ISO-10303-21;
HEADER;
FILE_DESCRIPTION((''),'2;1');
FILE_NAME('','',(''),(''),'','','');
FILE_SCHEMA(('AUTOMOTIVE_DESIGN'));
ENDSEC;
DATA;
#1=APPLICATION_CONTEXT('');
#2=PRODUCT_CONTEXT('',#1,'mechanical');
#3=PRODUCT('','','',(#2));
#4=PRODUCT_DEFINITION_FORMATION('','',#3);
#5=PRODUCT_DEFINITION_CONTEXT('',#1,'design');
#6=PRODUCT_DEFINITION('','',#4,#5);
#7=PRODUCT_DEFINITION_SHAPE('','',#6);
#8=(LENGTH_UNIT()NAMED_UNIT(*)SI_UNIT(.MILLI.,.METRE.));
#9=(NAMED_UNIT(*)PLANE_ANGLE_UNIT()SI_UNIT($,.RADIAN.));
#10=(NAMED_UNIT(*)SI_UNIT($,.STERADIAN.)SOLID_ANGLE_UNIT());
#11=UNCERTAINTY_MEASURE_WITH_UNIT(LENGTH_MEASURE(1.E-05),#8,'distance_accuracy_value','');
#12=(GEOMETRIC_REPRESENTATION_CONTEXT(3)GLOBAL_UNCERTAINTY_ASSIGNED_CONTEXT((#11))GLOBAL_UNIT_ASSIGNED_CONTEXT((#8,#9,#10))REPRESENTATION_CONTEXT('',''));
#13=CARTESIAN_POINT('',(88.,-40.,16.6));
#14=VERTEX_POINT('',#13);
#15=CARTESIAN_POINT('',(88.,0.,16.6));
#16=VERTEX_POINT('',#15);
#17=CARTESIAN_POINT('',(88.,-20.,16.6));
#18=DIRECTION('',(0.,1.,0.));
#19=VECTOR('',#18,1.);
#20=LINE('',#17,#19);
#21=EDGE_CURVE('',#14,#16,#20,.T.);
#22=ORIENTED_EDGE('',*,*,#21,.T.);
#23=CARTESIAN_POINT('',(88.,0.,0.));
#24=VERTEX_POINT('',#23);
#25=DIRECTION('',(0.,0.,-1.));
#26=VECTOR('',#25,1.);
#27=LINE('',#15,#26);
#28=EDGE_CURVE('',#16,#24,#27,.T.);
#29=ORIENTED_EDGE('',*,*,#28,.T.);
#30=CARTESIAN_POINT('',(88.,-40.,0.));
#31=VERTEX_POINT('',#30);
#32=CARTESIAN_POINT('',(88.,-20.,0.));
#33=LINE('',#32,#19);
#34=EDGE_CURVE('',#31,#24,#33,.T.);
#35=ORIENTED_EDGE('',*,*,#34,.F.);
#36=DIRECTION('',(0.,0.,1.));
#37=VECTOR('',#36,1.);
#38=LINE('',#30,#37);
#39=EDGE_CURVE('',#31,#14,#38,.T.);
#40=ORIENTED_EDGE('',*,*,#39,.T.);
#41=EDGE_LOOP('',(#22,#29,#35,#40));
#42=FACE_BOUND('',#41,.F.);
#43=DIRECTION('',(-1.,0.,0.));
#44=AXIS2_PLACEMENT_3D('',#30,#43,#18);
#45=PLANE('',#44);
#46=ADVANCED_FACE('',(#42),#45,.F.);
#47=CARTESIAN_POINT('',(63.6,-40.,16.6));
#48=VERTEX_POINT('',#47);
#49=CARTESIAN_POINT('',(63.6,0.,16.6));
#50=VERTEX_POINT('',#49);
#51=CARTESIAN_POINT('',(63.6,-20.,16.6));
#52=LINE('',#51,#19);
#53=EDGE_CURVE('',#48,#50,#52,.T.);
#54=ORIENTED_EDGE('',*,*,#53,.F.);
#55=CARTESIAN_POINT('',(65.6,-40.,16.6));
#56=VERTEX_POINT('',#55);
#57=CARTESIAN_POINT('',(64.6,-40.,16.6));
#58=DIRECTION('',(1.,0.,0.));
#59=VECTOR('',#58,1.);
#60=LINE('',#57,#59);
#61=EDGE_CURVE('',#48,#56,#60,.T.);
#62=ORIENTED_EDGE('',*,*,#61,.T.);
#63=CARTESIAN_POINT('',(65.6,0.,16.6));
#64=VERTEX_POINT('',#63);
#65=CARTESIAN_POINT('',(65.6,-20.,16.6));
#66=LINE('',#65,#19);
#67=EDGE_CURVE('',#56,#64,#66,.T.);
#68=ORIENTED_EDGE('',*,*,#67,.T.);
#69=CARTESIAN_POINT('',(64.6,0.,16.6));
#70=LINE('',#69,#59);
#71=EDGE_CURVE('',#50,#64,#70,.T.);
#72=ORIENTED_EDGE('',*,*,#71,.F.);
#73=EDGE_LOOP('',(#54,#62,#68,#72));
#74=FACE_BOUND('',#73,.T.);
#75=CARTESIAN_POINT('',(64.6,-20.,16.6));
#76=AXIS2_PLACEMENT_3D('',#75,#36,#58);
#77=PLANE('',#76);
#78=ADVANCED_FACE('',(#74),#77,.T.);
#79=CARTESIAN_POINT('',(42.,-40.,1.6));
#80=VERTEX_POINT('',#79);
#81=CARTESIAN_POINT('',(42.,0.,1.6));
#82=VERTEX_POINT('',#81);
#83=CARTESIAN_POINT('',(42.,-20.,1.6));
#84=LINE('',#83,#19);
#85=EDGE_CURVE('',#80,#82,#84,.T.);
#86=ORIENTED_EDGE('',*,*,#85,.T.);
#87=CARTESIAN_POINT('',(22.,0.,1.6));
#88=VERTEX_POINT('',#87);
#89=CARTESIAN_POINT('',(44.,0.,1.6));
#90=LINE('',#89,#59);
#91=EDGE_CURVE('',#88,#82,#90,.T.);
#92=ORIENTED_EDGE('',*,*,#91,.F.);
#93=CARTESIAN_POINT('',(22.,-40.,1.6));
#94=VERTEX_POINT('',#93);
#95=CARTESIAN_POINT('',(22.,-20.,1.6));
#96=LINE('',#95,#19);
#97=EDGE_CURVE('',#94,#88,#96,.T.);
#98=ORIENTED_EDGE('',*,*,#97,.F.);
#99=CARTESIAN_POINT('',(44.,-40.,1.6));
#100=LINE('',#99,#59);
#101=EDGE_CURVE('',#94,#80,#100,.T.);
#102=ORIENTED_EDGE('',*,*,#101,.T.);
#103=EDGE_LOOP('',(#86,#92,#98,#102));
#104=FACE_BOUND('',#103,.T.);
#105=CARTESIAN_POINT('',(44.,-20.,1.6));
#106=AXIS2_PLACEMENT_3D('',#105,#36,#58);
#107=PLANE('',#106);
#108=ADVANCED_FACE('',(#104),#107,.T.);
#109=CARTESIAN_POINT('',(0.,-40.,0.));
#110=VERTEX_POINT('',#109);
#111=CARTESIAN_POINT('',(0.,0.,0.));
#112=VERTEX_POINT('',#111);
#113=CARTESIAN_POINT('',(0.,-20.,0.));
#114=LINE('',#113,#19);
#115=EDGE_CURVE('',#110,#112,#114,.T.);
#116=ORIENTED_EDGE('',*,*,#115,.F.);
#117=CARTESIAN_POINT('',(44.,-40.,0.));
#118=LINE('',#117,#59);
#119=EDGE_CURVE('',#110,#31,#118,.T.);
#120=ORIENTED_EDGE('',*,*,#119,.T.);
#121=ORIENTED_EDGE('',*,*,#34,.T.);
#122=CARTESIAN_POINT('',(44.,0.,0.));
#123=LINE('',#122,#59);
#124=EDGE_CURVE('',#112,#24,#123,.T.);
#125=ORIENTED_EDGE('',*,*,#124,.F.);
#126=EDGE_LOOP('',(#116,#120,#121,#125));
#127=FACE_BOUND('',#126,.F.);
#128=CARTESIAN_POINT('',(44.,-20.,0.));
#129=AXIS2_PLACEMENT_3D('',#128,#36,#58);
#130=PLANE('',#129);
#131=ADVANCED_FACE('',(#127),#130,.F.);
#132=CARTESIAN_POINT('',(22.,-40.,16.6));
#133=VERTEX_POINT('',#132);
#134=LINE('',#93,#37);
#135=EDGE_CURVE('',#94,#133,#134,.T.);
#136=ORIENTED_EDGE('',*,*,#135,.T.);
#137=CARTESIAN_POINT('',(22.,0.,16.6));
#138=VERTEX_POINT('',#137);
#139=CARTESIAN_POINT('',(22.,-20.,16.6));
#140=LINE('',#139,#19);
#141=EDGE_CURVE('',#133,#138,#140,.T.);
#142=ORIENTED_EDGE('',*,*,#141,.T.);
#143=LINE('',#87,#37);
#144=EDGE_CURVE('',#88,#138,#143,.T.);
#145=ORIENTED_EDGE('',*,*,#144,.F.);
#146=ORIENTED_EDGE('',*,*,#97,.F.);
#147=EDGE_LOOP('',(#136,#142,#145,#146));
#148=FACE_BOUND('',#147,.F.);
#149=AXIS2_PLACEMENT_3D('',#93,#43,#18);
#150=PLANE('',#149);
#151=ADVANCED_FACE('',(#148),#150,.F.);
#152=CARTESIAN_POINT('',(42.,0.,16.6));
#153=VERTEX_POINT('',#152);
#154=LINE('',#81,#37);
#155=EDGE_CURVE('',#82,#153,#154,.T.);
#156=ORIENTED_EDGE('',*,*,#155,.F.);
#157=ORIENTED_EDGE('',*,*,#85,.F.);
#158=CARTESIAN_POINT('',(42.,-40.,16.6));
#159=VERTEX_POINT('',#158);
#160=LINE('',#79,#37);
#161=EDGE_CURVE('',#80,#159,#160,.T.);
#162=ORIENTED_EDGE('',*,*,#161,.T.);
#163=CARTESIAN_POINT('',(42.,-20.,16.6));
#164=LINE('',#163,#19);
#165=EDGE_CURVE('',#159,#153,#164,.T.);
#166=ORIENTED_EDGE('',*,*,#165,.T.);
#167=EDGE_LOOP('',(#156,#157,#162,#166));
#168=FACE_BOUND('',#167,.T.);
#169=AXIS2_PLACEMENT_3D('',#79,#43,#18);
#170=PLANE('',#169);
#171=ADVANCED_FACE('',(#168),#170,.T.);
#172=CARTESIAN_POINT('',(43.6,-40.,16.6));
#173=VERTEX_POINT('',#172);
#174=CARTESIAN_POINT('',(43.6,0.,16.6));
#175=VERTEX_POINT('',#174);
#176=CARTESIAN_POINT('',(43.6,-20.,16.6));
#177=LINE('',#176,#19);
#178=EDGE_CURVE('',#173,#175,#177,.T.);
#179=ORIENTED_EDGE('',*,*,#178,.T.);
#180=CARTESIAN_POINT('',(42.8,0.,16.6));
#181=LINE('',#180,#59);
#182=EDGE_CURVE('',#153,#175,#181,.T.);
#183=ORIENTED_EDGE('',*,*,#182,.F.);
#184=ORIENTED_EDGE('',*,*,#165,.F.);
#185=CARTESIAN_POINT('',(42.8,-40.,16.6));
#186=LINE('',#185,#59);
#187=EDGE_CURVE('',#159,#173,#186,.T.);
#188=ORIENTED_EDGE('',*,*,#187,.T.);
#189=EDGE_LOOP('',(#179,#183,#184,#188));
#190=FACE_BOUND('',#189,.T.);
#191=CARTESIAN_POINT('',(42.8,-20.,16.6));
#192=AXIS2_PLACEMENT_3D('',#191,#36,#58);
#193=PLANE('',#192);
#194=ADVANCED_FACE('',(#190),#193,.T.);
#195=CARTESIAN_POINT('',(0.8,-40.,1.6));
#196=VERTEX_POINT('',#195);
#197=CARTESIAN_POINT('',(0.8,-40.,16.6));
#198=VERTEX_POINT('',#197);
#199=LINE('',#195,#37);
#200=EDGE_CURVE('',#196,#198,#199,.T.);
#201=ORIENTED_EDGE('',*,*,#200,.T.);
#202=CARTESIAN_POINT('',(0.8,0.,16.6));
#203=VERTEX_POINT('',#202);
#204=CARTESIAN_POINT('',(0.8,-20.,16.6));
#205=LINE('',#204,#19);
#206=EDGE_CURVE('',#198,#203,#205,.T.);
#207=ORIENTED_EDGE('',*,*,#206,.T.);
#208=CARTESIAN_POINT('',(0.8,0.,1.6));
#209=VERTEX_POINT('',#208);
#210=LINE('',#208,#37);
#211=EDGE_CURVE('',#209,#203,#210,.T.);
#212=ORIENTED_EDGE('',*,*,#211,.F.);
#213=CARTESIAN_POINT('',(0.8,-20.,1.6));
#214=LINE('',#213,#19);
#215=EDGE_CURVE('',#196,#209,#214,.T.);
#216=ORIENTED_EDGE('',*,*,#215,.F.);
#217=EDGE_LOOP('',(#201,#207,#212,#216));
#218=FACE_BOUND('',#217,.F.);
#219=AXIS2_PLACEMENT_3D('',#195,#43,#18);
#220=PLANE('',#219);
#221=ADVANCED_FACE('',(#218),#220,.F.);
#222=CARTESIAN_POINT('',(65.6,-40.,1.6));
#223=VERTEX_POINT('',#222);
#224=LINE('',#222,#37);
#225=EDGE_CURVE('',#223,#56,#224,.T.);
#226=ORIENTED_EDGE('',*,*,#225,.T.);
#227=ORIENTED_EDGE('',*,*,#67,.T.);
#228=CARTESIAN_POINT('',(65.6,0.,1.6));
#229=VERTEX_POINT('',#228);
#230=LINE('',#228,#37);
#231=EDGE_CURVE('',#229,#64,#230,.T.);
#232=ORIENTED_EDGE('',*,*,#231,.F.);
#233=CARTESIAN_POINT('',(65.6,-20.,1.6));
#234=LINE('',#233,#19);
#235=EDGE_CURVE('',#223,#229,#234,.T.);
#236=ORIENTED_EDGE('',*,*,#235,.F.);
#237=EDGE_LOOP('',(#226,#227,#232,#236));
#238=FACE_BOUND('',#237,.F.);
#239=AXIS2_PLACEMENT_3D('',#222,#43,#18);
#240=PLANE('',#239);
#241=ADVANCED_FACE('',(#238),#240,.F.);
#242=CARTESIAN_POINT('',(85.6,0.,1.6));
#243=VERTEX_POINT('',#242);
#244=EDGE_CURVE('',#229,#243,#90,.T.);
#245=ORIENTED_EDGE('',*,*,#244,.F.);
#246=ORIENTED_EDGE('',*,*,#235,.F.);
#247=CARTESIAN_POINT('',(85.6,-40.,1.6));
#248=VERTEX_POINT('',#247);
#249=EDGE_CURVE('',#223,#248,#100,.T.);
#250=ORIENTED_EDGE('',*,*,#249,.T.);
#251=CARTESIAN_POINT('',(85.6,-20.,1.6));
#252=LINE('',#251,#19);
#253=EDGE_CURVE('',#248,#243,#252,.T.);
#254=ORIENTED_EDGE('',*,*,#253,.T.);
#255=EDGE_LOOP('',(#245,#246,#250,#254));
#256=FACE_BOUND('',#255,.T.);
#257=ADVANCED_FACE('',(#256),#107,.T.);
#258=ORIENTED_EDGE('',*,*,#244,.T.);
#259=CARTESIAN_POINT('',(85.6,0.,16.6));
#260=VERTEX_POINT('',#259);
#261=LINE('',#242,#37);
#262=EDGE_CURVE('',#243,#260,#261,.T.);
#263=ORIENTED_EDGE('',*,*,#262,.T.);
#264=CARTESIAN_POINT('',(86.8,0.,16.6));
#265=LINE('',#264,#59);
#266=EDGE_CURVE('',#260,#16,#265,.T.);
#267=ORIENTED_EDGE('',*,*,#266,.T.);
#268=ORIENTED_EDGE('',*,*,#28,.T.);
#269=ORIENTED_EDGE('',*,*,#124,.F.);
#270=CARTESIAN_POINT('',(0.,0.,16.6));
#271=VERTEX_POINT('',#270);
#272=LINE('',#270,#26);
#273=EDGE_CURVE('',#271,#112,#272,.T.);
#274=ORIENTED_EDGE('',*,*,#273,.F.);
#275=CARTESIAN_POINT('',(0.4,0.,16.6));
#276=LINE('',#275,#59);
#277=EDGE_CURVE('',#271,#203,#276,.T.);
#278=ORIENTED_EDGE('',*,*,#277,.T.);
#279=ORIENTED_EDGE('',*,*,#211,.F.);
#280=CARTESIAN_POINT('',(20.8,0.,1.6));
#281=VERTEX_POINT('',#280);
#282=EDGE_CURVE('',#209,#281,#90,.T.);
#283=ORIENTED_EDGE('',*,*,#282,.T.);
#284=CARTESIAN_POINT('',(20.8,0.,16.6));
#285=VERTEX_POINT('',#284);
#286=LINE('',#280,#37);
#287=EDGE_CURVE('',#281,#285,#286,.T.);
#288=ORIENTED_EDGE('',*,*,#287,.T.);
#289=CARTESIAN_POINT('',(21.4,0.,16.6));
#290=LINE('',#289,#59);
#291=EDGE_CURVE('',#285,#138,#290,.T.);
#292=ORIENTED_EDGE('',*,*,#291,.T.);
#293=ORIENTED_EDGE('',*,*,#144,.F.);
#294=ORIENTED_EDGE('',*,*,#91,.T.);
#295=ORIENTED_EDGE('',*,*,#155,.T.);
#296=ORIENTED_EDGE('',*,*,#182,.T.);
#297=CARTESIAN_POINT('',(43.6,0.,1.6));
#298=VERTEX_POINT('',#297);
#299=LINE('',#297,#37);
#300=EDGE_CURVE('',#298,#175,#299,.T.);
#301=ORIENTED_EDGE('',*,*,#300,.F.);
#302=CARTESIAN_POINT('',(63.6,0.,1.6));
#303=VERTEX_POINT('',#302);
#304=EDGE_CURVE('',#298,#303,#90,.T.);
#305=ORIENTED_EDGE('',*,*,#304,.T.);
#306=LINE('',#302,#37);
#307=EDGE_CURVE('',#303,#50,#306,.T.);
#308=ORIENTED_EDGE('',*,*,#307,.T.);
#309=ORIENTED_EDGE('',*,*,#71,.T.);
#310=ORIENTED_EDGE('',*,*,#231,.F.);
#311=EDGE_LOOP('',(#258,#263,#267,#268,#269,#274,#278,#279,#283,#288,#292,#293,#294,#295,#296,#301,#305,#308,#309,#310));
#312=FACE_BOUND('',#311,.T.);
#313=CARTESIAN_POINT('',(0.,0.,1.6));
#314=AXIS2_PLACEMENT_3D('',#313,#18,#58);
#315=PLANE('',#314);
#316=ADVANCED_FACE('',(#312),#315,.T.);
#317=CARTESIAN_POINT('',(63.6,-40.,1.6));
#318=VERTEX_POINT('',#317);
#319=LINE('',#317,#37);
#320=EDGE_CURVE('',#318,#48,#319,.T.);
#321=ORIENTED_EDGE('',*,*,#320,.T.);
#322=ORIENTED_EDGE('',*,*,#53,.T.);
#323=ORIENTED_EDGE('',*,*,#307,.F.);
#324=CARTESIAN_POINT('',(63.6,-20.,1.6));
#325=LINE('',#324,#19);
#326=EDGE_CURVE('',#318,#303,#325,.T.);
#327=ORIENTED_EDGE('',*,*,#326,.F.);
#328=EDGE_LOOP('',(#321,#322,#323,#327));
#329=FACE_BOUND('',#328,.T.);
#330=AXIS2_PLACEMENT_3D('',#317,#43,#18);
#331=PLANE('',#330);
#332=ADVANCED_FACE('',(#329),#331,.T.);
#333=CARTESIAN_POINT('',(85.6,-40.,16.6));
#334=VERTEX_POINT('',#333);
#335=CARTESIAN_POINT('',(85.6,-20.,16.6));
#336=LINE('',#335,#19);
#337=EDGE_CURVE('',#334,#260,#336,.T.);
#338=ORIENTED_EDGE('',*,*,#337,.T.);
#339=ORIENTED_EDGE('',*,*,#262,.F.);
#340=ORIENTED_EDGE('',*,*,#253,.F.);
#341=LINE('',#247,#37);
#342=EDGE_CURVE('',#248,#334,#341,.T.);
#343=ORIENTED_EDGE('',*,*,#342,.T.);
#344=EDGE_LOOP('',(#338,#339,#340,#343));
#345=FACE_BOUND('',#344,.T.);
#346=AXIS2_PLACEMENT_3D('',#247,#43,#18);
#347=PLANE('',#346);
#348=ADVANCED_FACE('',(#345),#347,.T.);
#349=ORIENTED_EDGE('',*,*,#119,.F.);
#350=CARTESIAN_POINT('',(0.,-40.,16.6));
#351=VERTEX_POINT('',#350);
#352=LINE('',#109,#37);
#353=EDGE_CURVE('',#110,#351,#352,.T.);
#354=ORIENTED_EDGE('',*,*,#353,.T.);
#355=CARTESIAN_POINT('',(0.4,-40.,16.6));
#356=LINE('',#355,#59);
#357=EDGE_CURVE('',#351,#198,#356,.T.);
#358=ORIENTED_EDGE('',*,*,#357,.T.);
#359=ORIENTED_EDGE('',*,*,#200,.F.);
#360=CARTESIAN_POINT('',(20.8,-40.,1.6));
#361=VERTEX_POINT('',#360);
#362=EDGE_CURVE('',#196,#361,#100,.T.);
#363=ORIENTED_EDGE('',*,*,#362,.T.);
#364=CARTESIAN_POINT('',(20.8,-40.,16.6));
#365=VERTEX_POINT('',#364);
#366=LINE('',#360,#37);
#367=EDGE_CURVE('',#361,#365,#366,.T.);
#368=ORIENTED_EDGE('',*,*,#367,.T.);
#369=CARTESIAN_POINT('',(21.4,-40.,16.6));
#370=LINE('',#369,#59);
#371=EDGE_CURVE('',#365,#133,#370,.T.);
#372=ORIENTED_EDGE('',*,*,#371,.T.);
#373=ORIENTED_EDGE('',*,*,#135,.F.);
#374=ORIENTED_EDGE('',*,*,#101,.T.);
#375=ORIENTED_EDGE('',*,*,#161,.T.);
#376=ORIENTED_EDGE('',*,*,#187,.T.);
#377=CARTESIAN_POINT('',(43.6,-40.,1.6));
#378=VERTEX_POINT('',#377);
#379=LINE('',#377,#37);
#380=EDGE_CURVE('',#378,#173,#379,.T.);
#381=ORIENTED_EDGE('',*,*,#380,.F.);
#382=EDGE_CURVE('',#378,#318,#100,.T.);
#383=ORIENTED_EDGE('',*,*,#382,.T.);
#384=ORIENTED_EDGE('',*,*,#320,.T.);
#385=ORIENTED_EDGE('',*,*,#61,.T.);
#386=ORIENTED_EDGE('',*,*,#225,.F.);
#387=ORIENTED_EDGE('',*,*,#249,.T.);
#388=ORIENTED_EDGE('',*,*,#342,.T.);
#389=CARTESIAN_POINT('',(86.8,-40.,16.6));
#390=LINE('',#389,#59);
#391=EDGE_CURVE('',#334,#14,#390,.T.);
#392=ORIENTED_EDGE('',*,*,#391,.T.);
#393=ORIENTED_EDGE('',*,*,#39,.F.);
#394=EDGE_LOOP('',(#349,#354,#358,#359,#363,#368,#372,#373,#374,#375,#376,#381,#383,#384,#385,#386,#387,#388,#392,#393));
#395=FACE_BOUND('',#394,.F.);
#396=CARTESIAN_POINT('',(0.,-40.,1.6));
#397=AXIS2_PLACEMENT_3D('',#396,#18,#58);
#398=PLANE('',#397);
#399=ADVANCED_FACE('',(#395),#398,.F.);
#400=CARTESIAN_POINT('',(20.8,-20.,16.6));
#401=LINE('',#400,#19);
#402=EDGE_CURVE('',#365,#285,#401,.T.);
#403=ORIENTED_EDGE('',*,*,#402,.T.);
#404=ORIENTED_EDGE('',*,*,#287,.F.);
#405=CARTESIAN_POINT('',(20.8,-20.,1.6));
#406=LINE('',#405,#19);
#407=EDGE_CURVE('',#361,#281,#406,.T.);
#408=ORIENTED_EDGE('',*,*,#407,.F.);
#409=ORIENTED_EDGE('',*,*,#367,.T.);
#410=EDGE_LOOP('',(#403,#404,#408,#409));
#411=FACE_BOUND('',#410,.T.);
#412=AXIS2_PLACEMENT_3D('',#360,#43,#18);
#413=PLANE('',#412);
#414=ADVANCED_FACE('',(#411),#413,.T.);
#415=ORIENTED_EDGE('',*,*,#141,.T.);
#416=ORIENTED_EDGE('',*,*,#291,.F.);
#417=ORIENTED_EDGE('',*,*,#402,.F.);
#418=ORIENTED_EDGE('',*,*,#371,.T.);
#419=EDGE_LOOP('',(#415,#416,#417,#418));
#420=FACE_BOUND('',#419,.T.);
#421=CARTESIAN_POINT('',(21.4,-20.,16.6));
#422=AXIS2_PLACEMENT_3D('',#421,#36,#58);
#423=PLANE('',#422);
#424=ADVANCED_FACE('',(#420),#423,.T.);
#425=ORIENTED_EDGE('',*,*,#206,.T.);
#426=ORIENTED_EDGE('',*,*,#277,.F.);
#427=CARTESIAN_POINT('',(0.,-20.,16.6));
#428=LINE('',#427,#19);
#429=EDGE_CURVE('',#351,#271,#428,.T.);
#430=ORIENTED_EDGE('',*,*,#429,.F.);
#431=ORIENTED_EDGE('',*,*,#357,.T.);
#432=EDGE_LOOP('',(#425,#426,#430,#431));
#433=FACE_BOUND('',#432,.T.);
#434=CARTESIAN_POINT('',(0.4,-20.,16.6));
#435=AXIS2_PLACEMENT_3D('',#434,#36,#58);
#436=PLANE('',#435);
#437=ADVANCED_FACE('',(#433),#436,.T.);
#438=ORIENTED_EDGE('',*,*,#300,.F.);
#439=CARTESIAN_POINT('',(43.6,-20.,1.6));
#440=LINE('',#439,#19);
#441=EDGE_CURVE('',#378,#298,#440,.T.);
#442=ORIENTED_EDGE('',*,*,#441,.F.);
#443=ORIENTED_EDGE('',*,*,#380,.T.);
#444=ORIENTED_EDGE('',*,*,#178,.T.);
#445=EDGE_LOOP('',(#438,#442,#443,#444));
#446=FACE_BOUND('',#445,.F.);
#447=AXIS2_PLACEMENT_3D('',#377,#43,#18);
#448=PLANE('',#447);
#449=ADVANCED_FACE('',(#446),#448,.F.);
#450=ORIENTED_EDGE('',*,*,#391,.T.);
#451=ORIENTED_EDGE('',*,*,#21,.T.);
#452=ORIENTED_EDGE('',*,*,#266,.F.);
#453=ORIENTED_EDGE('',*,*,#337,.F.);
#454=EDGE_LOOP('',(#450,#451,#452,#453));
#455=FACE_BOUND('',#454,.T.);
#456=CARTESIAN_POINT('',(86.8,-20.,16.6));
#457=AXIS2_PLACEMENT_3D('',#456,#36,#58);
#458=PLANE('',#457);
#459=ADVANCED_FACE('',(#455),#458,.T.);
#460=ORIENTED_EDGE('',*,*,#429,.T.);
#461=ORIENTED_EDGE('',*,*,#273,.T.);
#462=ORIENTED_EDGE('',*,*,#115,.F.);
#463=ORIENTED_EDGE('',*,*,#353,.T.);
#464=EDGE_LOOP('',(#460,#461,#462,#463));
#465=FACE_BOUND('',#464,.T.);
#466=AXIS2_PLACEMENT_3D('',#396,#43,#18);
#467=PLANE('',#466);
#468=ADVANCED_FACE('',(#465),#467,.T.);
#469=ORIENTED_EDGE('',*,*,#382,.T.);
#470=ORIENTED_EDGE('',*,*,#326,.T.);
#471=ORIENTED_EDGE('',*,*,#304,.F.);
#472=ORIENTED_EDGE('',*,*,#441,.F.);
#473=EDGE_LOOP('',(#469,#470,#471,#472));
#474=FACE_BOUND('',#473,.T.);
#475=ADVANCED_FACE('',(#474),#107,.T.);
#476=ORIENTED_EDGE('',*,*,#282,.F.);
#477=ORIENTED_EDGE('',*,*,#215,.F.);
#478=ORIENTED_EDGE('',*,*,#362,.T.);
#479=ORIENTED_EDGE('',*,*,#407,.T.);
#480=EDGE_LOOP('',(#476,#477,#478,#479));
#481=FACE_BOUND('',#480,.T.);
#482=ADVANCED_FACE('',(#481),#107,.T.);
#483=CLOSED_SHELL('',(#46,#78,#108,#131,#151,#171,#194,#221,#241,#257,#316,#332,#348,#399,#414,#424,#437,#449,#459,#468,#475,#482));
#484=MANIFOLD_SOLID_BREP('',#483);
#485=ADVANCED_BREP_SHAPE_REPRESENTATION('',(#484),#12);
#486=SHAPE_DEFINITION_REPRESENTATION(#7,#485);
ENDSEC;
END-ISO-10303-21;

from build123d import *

# Parameters (mm, degrees)
F0_W     = 88
F0_H     = 40
F1_DEPTH = 1.6
F2_W     = 0.8
F2_H     = 40
F2_W_2   = 1.2
F2_W_3   = 1.6
F2_W_4   = 2
F2_W_5   = 2.4
F3_DEPTH = 15


with BuildPart() as f1:
    # F0 (on Top) → F1 (new body)
    with BuildSketch(Plane.XY):
        with Locations((44, -20)):
            Rectangle(F0_W, F0_H)
    extrude(amount=F1_DEPTH)

    # F2 (on face) → F3 (join)
    with BuildSketch(Plane.XY.offset(1.6)):
        with Locations((0.4, -20)):
            Rectangle(F2_W, F2_H)
        with Locations((21.4, -20)):
            Rectangle(F2_W_2, F2_H)
        with Locations((42.8, -20)):
            Rectangle(F2_W_3, F2_H)
        with Locations((64.6, -20)):
            Rectangle(F2_W_4, F2_H)
        with Locations((86.8, -20)):
            Rectangle(F2_W_5, F2_H)
    extrude(amount=F3_DEPTH)


solid = f1.part
